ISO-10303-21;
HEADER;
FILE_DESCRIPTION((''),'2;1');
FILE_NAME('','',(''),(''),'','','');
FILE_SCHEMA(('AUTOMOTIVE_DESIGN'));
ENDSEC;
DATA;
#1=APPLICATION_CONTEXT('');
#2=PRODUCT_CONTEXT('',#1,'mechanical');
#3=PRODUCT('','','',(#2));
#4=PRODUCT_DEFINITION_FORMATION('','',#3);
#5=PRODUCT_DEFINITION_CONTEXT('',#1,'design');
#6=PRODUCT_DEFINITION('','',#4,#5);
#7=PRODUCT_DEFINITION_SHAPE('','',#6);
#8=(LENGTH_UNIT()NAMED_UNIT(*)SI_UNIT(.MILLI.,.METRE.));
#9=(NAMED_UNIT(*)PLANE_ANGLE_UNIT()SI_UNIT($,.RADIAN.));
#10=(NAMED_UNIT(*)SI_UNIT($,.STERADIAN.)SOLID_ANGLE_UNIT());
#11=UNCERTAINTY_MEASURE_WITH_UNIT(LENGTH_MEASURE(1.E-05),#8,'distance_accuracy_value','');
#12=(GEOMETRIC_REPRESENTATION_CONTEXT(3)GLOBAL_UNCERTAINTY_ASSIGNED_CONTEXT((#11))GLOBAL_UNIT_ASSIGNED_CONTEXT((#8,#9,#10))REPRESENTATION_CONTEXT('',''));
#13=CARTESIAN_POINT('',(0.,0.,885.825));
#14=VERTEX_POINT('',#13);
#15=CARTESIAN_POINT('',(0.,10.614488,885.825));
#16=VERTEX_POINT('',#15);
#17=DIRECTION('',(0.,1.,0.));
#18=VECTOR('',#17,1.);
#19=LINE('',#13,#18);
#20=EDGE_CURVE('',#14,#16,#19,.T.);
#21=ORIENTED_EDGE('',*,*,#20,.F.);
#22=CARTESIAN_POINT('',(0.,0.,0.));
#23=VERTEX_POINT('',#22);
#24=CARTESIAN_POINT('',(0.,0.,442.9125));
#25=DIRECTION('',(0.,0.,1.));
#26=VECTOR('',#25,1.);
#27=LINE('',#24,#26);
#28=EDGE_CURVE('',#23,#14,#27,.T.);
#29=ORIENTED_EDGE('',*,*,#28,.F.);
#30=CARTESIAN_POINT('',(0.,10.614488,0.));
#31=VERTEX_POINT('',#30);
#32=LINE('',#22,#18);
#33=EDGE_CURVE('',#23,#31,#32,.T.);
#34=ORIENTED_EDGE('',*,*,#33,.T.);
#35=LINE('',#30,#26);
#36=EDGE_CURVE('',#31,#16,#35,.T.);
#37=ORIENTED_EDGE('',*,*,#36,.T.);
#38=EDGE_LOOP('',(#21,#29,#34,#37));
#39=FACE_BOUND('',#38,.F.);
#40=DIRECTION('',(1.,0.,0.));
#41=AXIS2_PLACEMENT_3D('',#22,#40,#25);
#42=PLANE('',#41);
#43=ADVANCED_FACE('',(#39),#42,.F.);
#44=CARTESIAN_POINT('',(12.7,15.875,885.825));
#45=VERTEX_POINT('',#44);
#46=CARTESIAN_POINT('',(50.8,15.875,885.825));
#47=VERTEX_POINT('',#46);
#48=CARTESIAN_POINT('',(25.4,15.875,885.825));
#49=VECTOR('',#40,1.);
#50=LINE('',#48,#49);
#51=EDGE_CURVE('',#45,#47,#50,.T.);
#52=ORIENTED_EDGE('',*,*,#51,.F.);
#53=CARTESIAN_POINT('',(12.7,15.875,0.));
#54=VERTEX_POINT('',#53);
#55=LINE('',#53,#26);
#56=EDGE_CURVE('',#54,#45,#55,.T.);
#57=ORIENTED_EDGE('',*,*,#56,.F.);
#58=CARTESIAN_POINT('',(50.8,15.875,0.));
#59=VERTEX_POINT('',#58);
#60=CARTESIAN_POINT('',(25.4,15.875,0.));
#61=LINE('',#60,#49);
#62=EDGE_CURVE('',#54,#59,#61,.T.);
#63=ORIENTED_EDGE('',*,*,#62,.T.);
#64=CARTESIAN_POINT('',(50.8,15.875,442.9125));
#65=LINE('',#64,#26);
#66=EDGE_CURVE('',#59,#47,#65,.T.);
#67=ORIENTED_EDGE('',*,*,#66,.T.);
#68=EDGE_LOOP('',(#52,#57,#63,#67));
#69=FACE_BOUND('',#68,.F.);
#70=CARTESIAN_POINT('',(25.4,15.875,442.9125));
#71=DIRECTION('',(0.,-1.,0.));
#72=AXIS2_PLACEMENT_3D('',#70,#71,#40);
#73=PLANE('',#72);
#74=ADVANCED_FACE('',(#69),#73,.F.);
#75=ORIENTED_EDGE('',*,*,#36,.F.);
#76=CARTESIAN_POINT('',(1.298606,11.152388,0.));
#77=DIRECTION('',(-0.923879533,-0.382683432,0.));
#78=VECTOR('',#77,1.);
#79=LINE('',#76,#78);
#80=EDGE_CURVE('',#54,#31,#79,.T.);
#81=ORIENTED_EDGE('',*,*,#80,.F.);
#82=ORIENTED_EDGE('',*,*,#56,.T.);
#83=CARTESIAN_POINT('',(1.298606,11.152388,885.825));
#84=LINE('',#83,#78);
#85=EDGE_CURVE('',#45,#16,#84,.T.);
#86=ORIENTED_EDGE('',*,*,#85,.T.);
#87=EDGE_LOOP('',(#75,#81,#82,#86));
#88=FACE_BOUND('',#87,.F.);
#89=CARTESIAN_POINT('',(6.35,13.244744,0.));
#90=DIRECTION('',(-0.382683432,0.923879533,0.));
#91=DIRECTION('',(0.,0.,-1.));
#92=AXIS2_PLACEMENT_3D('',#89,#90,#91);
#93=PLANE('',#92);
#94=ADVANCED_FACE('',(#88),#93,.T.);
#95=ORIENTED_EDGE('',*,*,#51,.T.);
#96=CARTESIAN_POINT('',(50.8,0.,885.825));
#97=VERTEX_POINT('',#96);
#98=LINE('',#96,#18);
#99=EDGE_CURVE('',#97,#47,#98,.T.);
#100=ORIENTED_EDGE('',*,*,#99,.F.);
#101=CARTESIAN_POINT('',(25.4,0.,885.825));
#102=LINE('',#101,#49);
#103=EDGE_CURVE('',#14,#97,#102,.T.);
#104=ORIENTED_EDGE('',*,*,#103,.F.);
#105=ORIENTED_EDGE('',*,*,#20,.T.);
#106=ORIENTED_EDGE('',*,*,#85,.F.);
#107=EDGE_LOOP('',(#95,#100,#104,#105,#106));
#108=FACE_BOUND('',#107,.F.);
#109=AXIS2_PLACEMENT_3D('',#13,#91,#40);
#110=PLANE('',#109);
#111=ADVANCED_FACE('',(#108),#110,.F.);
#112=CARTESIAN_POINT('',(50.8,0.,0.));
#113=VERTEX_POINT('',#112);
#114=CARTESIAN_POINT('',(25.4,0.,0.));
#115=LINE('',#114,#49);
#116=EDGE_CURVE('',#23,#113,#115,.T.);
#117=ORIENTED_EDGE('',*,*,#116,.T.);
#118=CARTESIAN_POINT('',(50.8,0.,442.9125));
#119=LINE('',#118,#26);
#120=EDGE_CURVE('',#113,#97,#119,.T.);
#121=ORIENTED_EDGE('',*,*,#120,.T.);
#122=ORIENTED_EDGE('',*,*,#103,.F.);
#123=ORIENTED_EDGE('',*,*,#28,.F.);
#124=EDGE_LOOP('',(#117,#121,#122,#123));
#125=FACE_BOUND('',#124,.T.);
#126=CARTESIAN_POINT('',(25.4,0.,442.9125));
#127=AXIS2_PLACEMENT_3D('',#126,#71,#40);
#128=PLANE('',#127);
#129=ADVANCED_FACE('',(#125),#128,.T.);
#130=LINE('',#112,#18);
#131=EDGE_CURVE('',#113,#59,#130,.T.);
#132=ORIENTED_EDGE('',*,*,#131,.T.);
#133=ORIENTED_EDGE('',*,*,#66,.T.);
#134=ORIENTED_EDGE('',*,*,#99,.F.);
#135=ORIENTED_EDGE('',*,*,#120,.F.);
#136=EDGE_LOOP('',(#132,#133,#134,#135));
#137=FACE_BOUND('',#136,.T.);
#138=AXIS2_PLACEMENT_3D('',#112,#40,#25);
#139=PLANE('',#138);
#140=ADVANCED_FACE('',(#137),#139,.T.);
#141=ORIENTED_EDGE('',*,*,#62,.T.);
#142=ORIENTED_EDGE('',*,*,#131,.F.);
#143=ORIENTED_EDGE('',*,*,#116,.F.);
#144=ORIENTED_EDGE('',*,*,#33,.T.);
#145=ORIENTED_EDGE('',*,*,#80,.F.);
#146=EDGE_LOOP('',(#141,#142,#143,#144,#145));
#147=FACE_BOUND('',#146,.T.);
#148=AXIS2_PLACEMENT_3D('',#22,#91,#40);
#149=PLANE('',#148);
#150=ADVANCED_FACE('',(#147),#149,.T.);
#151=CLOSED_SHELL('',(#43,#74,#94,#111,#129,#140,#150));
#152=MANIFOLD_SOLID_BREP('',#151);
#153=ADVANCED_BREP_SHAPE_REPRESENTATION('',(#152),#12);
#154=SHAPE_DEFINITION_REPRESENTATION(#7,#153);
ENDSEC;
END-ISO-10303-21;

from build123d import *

# Parameters (mm, degrees)
F0_W     = 50.8
F0_H     = 885.825
F1_DEPTH = 15.875
F2_SIZE2 = 5.2605122421
F2_SIZE  = 12.7


with BuildPart() as f1:
    # F0 (on Front) → F1 (new body)
    with BuildSketch(Plane.XZ):
        with Locations((25.4, 442.9125)):
            Rectangle(F0_W, F0_H)
    extrude(amount=-F1_DEPTH)

    # F2
    f2_edges = [f1.edges().sort_by_distance(p)[0] for p in [
        (0, 15.875, 442.9125),
    ]]
    f2_side = f1.faces().sort_by_distance((25.4, 15.875, 442.9125))[0]
    chamfer(f2_edges, length=F2_SIZE, length2=F2_SIZE2, reference=f2_side)


solid = f1.part
